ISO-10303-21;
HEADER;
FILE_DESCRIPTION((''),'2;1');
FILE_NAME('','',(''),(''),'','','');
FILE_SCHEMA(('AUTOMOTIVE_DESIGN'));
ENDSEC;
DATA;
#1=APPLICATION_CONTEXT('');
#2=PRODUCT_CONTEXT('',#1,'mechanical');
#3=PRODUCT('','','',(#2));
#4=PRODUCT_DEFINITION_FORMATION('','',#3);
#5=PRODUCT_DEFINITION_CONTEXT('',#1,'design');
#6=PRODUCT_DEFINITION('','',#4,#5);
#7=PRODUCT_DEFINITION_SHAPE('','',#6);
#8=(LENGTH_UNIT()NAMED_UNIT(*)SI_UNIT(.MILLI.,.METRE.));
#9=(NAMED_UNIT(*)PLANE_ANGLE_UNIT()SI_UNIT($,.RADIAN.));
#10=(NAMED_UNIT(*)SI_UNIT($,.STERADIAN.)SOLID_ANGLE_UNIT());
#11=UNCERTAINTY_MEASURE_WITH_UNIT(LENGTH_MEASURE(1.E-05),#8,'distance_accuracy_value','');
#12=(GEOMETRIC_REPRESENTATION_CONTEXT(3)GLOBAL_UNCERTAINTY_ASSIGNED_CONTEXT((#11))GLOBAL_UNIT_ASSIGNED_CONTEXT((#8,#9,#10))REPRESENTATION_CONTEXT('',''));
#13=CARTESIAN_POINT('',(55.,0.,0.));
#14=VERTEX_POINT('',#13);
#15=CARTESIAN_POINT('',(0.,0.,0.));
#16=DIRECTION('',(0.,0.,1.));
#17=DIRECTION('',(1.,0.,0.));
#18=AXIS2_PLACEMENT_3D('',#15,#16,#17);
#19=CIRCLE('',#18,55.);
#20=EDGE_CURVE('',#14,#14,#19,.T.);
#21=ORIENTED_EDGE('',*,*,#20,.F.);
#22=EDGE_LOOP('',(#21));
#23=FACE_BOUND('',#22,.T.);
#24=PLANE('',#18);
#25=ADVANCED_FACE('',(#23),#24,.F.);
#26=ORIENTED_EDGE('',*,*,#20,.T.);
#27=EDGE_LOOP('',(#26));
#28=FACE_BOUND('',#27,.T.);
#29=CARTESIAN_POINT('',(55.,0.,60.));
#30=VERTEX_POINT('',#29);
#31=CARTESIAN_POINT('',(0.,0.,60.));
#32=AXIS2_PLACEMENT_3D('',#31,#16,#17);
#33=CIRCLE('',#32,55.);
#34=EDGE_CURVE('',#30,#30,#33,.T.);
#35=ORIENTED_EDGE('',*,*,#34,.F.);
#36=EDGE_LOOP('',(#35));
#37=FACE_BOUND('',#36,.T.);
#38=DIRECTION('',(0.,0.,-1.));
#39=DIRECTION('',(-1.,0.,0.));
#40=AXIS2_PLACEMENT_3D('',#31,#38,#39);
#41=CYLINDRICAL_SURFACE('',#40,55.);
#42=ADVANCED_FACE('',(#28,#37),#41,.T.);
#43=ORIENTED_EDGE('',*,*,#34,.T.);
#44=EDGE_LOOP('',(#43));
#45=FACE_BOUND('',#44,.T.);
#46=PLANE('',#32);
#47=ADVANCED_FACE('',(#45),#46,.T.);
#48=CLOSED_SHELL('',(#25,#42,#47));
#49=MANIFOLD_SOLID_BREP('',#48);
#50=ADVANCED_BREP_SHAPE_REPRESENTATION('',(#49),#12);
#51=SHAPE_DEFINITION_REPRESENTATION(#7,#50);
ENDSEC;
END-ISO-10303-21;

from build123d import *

# Parameters (mm, degrees)
ESQUISSE1_R        = 55
BOSS_EXTRU_1_DEPTH = 60


with BuildPart() as part:
    # Esquisse1 → Boss.-Extru.1 (new body)
    with BuildSketch(Plane.XY):
        Circle(ESQUISSE1_R)
    extrude(amount=BOSS_EXTRU_1_DEPTH)


solid = part.part
